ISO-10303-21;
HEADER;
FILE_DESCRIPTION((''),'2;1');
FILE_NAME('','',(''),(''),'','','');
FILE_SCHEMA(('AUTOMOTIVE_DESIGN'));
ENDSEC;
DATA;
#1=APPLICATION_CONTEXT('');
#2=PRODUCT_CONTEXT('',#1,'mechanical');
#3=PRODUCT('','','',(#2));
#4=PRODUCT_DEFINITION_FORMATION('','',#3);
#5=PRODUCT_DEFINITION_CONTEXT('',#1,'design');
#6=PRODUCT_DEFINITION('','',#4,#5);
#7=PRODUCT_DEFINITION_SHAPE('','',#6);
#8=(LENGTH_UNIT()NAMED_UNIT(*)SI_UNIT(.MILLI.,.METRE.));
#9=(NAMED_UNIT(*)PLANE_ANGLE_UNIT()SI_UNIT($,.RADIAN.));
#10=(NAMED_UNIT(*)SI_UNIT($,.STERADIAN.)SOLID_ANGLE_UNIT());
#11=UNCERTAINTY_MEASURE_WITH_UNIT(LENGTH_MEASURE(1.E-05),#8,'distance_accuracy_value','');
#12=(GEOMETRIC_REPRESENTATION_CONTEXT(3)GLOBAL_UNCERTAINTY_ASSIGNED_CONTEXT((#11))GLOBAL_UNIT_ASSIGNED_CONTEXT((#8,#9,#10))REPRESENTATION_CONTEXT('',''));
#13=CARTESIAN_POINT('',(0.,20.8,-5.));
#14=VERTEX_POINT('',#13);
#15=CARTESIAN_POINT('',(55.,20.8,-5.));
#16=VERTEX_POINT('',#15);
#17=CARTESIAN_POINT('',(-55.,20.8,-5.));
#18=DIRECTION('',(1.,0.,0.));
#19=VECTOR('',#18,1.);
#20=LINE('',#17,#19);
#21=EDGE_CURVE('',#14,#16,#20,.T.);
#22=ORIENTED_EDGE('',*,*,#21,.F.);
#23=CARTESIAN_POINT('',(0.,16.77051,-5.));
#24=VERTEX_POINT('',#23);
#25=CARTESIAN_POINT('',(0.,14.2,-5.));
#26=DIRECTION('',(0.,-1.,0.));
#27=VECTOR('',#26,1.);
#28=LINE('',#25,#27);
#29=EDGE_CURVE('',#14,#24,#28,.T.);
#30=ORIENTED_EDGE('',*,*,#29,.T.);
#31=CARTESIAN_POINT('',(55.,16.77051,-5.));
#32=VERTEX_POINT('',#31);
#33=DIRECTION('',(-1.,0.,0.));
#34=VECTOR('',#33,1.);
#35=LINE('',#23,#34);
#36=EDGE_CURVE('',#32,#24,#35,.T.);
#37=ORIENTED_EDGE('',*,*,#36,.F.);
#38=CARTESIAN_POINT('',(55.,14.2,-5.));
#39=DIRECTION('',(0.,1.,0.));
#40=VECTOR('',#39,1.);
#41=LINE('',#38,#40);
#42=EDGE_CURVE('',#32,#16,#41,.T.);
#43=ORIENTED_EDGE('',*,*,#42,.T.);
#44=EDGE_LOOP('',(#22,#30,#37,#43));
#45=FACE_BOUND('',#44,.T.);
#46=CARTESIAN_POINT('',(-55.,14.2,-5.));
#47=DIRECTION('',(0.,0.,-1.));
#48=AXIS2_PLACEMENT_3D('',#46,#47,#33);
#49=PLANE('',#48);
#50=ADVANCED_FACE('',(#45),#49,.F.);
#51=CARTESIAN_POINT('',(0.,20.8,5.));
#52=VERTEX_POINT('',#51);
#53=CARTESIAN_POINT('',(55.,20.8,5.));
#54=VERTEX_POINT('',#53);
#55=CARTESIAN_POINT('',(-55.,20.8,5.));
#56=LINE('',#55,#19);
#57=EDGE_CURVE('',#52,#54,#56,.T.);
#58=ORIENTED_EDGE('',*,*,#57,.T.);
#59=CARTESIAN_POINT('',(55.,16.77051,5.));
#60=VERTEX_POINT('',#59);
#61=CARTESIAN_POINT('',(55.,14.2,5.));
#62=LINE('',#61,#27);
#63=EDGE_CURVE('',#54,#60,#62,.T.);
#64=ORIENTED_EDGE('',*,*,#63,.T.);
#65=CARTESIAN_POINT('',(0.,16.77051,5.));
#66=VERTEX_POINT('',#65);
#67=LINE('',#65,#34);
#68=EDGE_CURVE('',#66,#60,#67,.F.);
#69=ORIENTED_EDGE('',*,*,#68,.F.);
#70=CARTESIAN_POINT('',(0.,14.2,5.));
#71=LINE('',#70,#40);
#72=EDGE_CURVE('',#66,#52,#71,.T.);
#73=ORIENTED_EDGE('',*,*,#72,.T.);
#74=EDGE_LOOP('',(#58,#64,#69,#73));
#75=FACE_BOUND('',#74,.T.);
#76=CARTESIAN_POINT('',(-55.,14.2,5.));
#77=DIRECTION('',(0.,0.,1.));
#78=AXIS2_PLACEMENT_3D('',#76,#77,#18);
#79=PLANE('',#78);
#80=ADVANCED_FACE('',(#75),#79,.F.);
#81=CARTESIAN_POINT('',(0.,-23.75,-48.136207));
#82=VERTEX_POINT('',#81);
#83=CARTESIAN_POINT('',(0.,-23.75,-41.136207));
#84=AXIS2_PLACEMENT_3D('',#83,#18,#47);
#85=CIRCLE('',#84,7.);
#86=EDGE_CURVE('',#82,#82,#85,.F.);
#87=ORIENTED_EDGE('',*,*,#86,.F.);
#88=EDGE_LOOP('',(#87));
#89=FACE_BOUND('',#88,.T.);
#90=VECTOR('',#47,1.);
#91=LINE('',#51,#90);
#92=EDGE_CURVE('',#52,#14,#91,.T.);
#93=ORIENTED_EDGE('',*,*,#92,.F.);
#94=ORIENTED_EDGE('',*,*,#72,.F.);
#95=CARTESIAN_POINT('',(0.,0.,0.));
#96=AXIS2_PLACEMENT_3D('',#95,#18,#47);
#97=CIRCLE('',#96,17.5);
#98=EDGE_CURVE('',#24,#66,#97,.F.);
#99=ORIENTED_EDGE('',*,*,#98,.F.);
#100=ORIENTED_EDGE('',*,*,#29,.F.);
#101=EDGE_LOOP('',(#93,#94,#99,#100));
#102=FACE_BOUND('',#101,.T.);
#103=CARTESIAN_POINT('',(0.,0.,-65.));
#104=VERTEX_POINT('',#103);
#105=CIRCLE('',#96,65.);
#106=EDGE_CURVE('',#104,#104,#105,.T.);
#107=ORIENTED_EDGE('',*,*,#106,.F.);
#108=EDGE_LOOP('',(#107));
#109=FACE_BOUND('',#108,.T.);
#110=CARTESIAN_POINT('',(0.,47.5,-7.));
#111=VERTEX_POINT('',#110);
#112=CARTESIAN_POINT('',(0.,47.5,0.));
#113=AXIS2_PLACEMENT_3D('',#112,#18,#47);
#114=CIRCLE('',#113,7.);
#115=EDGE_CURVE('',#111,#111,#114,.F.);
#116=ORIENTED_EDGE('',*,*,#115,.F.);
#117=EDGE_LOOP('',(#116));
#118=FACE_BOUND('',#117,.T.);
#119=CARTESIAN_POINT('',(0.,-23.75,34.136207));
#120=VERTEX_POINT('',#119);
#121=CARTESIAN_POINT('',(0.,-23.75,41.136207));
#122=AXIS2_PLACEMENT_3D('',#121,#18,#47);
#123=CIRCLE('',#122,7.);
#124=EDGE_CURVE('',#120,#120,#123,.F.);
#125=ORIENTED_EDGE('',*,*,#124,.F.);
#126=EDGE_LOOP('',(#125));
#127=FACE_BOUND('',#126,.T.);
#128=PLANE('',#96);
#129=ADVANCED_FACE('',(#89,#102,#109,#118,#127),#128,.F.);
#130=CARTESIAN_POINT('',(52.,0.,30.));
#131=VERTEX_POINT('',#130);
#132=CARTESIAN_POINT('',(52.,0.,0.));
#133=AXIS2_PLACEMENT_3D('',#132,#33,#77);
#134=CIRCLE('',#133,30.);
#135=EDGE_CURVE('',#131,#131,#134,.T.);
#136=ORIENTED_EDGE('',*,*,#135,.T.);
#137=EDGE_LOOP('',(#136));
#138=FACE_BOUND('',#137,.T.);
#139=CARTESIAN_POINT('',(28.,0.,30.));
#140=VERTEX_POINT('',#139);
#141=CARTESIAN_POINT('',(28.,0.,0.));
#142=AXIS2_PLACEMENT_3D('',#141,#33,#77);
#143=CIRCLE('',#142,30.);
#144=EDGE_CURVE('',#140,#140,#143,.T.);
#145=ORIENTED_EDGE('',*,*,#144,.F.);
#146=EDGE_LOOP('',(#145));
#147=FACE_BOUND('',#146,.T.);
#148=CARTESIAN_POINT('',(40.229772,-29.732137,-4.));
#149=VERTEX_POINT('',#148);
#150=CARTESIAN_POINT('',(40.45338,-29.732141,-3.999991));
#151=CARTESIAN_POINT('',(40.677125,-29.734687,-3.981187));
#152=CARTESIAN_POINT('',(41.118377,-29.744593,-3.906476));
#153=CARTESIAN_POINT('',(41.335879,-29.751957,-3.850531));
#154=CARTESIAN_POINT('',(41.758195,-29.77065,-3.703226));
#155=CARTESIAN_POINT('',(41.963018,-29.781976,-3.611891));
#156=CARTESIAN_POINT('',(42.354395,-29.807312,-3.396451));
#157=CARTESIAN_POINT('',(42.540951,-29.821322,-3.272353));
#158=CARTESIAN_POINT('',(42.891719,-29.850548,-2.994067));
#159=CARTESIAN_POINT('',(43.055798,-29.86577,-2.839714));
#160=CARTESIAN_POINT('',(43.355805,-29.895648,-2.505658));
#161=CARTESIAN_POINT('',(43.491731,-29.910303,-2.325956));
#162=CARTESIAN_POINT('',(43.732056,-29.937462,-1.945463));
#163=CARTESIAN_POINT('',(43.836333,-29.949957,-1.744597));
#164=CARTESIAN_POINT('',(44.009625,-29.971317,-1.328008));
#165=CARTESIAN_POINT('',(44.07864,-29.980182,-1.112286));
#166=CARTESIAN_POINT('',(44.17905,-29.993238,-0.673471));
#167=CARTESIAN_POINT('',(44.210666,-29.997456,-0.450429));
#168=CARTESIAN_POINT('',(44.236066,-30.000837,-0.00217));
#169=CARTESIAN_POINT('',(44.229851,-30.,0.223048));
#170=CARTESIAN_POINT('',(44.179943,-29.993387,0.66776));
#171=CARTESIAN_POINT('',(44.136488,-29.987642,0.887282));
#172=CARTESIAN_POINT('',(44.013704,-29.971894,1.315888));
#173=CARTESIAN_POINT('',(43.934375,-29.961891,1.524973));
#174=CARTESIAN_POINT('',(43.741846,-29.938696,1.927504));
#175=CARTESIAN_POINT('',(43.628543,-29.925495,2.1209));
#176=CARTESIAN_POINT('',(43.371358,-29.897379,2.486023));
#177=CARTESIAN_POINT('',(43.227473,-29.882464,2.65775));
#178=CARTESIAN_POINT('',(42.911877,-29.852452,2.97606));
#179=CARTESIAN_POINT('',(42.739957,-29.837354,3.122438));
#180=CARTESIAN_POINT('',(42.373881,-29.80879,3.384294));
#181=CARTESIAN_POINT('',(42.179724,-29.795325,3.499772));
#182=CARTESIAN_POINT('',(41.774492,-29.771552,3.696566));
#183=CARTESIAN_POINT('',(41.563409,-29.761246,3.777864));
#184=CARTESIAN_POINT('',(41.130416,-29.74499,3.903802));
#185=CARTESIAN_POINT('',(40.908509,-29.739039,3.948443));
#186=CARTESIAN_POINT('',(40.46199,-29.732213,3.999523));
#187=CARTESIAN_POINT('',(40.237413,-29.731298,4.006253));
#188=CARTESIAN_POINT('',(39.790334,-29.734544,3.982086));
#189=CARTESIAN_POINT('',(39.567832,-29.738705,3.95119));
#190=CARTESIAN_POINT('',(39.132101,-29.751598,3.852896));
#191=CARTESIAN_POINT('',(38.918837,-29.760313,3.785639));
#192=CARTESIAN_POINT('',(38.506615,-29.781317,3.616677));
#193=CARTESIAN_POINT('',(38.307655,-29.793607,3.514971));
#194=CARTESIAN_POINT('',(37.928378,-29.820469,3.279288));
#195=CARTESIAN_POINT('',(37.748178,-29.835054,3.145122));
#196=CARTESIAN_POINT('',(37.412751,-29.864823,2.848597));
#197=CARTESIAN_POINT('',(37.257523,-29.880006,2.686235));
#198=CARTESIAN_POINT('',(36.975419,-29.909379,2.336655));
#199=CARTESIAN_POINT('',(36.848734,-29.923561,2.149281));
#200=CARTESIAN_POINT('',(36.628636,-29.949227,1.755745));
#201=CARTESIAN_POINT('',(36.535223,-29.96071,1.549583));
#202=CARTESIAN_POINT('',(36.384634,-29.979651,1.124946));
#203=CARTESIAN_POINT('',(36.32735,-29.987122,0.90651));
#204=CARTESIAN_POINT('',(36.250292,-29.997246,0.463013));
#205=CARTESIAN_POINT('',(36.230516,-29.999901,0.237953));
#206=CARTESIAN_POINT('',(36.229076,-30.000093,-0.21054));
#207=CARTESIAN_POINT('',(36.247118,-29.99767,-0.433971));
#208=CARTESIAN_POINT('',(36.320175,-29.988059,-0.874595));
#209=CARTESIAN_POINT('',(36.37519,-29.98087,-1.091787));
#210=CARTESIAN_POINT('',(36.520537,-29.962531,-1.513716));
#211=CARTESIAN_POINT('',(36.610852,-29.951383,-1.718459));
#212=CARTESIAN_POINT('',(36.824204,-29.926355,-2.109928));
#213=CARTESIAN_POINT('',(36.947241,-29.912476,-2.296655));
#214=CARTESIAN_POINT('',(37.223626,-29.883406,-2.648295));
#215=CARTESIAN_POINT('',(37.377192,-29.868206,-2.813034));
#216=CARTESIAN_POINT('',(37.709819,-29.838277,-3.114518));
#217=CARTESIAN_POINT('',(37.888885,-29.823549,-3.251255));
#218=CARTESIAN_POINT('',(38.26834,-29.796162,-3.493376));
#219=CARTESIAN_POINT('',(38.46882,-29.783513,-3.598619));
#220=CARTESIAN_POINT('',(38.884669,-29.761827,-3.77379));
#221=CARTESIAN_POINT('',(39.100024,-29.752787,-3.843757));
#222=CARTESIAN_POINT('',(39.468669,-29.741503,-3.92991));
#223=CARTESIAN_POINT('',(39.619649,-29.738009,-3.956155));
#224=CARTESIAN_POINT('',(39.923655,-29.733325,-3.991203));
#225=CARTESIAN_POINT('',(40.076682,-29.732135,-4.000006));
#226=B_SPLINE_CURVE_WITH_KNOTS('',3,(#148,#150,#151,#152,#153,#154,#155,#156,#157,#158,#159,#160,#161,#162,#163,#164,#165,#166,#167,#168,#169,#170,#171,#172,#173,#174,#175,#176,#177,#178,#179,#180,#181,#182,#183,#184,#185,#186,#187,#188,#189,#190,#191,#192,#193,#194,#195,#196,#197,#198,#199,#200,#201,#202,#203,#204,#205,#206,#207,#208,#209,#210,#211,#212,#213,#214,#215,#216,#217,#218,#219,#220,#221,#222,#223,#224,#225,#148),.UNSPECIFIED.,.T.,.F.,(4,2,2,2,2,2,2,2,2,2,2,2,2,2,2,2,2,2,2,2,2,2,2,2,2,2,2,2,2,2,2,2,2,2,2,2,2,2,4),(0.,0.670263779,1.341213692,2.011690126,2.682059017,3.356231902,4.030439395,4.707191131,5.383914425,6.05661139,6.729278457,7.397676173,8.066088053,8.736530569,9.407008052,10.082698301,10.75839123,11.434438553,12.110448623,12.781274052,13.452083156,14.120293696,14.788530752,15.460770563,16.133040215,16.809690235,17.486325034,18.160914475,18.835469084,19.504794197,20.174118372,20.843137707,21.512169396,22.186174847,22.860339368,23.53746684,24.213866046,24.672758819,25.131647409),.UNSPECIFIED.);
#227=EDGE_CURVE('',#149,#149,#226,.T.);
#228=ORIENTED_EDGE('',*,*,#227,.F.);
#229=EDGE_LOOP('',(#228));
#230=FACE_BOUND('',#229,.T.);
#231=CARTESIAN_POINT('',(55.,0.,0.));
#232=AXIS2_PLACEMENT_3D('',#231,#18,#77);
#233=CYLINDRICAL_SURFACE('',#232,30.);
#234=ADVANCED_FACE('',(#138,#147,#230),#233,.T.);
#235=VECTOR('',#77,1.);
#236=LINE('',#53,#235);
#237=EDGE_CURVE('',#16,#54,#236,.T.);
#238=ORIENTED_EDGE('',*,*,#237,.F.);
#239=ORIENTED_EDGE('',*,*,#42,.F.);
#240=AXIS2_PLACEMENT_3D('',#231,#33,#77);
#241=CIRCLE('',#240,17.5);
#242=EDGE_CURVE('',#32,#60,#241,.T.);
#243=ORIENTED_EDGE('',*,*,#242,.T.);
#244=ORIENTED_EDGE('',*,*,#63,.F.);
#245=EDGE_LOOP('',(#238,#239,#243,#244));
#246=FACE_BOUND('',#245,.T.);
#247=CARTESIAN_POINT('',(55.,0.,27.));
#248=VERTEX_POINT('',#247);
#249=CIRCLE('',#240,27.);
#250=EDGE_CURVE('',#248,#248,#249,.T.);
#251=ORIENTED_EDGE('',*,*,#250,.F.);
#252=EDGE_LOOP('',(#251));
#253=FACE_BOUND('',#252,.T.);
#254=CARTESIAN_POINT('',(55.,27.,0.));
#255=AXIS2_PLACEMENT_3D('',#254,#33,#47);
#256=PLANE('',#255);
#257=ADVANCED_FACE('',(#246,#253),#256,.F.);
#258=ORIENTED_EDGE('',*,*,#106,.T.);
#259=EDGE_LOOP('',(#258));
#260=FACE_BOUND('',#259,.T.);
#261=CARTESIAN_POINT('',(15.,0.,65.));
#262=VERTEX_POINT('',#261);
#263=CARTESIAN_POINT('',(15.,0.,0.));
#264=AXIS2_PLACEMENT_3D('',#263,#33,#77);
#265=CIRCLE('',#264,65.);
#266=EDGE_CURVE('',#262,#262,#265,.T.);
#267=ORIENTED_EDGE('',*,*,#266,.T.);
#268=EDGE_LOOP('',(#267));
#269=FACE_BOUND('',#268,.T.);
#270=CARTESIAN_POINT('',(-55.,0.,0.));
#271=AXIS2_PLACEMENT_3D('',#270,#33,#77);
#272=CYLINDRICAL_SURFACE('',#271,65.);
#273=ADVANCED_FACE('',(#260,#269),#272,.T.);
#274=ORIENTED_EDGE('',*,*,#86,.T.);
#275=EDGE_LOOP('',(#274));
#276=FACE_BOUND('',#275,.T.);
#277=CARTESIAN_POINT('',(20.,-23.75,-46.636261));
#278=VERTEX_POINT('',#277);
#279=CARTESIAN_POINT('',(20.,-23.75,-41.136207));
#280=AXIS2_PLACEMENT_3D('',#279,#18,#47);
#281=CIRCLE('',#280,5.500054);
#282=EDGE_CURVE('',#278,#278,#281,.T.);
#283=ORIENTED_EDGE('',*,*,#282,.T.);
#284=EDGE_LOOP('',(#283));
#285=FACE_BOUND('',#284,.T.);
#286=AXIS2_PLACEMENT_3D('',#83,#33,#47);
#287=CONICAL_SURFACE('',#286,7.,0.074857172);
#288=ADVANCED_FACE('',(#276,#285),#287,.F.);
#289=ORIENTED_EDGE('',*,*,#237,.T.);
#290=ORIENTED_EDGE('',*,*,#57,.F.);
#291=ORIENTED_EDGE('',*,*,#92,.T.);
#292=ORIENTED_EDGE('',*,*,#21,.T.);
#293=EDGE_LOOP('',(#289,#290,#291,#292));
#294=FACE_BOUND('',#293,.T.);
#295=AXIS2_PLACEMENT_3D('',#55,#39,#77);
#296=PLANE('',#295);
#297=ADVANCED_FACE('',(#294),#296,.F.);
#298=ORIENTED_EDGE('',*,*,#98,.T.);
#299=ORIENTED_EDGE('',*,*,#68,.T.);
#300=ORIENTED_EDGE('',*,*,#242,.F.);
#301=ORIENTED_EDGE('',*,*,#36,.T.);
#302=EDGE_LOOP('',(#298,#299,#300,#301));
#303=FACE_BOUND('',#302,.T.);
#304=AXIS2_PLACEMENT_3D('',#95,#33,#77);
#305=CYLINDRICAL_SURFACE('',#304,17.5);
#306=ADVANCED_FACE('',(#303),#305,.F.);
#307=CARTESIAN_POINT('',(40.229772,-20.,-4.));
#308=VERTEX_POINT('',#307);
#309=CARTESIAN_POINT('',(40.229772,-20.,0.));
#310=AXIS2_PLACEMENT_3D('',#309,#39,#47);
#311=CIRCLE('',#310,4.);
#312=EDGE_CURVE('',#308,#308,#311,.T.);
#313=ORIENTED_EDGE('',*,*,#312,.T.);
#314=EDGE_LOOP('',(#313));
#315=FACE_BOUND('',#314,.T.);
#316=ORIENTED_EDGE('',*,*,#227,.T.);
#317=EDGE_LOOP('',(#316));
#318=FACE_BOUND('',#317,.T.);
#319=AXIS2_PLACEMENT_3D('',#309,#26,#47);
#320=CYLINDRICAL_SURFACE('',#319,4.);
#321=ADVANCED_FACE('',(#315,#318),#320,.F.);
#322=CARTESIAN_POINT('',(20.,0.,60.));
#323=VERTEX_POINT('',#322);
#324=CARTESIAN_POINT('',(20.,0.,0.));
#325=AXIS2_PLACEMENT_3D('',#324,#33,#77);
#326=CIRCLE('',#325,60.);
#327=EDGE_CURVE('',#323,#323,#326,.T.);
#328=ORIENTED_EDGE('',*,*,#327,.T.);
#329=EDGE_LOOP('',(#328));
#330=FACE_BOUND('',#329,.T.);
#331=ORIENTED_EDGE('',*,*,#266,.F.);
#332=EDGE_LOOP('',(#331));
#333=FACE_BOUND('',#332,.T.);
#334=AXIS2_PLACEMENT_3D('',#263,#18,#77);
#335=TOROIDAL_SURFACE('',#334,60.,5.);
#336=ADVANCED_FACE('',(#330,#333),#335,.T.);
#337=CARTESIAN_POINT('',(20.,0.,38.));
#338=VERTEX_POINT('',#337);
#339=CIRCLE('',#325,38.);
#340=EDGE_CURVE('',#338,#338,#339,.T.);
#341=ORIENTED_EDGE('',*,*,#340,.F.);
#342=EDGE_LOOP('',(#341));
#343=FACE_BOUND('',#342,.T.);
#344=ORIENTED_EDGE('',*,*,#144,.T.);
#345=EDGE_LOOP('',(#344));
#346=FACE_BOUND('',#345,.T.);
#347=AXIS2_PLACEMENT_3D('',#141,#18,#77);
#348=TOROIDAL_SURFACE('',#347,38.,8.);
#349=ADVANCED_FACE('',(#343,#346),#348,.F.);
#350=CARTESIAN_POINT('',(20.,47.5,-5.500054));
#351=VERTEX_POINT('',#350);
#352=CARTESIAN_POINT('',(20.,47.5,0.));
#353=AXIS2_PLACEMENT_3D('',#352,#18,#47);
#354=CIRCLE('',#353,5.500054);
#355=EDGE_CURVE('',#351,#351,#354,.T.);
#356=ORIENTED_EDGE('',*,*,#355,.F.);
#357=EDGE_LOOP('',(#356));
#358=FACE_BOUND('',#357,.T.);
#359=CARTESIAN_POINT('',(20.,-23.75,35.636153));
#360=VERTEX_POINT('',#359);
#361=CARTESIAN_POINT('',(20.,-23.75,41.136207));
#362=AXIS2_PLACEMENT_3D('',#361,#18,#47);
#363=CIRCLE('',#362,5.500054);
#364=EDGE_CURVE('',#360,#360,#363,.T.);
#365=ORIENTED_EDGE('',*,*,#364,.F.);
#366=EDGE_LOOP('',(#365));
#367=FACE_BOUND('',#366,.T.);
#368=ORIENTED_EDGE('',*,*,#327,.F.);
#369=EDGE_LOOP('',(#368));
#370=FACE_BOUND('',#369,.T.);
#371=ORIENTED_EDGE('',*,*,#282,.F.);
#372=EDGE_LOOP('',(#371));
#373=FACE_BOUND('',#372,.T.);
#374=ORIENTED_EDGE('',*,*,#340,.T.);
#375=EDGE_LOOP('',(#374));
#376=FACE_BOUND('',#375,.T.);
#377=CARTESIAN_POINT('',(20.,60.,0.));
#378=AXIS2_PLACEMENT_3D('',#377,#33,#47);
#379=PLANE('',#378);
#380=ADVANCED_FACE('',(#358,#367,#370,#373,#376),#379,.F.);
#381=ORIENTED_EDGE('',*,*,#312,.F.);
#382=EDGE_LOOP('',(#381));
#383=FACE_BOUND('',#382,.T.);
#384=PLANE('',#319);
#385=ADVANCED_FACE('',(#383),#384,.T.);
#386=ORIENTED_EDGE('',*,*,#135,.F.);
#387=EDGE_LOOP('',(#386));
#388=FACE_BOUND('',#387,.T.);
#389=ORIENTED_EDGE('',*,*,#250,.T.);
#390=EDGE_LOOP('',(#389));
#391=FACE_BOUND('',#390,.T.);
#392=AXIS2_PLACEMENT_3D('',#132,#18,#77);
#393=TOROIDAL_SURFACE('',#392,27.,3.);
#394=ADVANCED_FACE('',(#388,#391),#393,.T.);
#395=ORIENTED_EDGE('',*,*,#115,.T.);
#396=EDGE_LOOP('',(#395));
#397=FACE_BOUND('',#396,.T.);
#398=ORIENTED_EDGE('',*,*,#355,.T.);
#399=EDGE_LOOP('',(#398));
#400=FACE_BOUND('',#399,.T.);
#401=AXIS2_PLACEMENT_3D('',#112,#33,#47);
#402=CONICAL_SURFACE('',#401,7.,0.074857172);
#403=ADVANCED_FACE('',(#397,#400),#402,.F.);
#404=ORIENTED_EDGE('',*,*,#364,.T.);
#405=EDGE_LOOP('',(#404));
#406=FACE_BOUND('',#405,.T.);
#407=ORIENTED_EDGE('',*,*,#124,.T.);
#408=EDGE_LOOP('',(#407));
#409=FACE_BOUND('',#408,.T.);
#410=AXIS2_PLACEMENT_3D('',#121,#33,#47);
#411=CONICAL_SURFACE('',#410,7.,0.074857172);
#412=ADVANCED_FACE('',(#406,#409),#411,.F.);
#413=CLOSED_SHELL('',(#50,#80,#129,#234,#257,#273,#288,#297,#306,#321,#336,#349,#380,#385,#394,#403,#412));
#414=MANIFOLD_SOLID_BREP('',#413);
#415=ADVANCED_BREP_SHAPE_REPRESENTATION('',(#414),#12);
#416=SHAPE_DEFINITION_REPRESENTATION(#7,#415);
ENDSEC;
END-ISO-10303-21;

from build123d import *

# Parameters (mm, degrees)
SKETCH2_R          = 17.5
CUT_EXTRUDE1_DEPTH = 108.121426428
SKETCH3_W          = 10
SKETCH3_H          = 6.6
CUT_EXTRUDE2_DEPTH = 108.121426428
SKETCH4_R          = 4
CUT_EXTRUDE3_DEPTH = 10
SKETCH6_R          = 81.550028755
CUT_EXTRUDE6_DEPTH = 60


with BuildPart() as part:
    # Sketch1 → Revolve1 (revolve)
    with BuildSketch(Plane.XY, mode=Mode.PRIVATE) as revolve1_sk:
        with BuildLine():
            Line((-55, 0), (0, 0))
            Line((0, 0), (0, 65))
            Line((0, 65), (-15, 65))
            ThreePointArc((-15, 65), (-18.535533906, 63.535533906), (-20, 60))
            Line((-20, 60), (-20, 38))
            ThreePointArc((-20, 38), (-22.343145751, 32.343145751), (-28, 30))
            Line((-28, 30), (-52, 30))
            ThreePointArc((-52, 30), (-54.121320344, 29.121320344), (-55, 27))
            Line((-55, 27), (-55, 0))
        make_face()
    revolve(revolve1_sk.sketch.rotate(Axis((-55, 0, 0), (1, 0, 0)), 90), axis=Axis((-55, 0, 0), (1, 0, 0)))

    # Sketch2 → Cut-Extrude1 (cut, through all)
    with BuildSketch(Plane.ZY.offset(55)):
        Circle(SKETCH2_R)
    extrude(amount=-CUT_EXTRUDE1_DEPTH, mode=Mode.SUBTRACT)

    # Sketch3 → Cut-Extrude2 (cut, through all)
    with BuildSketch(Plane(origin=(0, 0, 0), x_dir=(0, 0, -1), z_dir=(1, 0, 0))):
        with Locations((0, 17.5)):
            Rectangle(SKETCH3_W, SKETCH3_H)
    extrude(amount=-CUT_EXTRUDE2_DEPTH, mode=Mode.SUBTRACT)

    # Sketch4 → Cut-Extrude3 (cut)
    with BuildSketch(Plane(origin=(0, -30, 0), x_dir=(-1, 0, 0), z_dir=(0, -1, 0))):
        with Locations(Location((40.229772479, 0, 0), (0, 0, 90))):
            Circle(SKETCH4_R)
    extrude(amount=-CUT_EXTRUDE3_DEPTH, mode=Mode.SUBTRACT)

    # Cut-Extrude5 cone 1 section (through the dimple's axis) → Cut-Extrude5 (revolve, cut)
    with BuildSketch(Plane(origin=(0, 47.5, 0), x_dir=(0, 0, -1), z_dir=(0, 1, 0))):
        Polygon((0, 0), (7, 0), (0, 93.336682434), align=None)
    revolve(axis=Axis((0, 47.5, 0), (-1, 0, 0)), mode=Mode.SUBTRACT)

    # Cut-Extrude5 cone 2 section (through the dimple's axis) → Cut-Extrude5 cone 2 (revolve, cut)
    with BuildSketch(Plane(origin=(0, -23.75, -41.13620668), x_dir=(0, 0, -1), z_dir=(0, 1, 0))):
        Polygon((0, 0), (7, 0), (0, 93.336682434), align=None)
    revolve(axis=Axis((0, -23.75, -41.13620668), (-1, 0, 0)), mode=Mode.SUBTRACT)

    # Cut-Extrude5 cone 3 section (through the dimple's axis) → Cut-Extrude5 cone 3 (revolve, cut)
    with BuildSketch(Plane(origin=(0, -23.75, 41.13620668), x_dir=(0, 0, -1), z_dir=(0, 1, 0))):
        Polygon((0, 0), (7, 0), (0, 93.336682434), align=None)
    revolve(axis=Axis((0, -23.75, 41.13620668), (-1, 0, 0)), mode=Mode.SUBTRACT)

    # Mirror1: part across plane


with BuildPart() as part_1:
    add(part.part)
    add(part.part.mirror(Plane.ZY))

    # Sketch6 → Cut-Extrude6 (cut)
    with BuildSketch(Plane(origin=(0, 0, 0), x_dir=(0, 0, -1), z_dir=(1, 0, 0))):
        Circle(SKETCH6_R)
    extrude(amount=-CUT_EXTRUDE6_DEPTH, mode=Mode.SUBTRACT)


solid = part_1.part
